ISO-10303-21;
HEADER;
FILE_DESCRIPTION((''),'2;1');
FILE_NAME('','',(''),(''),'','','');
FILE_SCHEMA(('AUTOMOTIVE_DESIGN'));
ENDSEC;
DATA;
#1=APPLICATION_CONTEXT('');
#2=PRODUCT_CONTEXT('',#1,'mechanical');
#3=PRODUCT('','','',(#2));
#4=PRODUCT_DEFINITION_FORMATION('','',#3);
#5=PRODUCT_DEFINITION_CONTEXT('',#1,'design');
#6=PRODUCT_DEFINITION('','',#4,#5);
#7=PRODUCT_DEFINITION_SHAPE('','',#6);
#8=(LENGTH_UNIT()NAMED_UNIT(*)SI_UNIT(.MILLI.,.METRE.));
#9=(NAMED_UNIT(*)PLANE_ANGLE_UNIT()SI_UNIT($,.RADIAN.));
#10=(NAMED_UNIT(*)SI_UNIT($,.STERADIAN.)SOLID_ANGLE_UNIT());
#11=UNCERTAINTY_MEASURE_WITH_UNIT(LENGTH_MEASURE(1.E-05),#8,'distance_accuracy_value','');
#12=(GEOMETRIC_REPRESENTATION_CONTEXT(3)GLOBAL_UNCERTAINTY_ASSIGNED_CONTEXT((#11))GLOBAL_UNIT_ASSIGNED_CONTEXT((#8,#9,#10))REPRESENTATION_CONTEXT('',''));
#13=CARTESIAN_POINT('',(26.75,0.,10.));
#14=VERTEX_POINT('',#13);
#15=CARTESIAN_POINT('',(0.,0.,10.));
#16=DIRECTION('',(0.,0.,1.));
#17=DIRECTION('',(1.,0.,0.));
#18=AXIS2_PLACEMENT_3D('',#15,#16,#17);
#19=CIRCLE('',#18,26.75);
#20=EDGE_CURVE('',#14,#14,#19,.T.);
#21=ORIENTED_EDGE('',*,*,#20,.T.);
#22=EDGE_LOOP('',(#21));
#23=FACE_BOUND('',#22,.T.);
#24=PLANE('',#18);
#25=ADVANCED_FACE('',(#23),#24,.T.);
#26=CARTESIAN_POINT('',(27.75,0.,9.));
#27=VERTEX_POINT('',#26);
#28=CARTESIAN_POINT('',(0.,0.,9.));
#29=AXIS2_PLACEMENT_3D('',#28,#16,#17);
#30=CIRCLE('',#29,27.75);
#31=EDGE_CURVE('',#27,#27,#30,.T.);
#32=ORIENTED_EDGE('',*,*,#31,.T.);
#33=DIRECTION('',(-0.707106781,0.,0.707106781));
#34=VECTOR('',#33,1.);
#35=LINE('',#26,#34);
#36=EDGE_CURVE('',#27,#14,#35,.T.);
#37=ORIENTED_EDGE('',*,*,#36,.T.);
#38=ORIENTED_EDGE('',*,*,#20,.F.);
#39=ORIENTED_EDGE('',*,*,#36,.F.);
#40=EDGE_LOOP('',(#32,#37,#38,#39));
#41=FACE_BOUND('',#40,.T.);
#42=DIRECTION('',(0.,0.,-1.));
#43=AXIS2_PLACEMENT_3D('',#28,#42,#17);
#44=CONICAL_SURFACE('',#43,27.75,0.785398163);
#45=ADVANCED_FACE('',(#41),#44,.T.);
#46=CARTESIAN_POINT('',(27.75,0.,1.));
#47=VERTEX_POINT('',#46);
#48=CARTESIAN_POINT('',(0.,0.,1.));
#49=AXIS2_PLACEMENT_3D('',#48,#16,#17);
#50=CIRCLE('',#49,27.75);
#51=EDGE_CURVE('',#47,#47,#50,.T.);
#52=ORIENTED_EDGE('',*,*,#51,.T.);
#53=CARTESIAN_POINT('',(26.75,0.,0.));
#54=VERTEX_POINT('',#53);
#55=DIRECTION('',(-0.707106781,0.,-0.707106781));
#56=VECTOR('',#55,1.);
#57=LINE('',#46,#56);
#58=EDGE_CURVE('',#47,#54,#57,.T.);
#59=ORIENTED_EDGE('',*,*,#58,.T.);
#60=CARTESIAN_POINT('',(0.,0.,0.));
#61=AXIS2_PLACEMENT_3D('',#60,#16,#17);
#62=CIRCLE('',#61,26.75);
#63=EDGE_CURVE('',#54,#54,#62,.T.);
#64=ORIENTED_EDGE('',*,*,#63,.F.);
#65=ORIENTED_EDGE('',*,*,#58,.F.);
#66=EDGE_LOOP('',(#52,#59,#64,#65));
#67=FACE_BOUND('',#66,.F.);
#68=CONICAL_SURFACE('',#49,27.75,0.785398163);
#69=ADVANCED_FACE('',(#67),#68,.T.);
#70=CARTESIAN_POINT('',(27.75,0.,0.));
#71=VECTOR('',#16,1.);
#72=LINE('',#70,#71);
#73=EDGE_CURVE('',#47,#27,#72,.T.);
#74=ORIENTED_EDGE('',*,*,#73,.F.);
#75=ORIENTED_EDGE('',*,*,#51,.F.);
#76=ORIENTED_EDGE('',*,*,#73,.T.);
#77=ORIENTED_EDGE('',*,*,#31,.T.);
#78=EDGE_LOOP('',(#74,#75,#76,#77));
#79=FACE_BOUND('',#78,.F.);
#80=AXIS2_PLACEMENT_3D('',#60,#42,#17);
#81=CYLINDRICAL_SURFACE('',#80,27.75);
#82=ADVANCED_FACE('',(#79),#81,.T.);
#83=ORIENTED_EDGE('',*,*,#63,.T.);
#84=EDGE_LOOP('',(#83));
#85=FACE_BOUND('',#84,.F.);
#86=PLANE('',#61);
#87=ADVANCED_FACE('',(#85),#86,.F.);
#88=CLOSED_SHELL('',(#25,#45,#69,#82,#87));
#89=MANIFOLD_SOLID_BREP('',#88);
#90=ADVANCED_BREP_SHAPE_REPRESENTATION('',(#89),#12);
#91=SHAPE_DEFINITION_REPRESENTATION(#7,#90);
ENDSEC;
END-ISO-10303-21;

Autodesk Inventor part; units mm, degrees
ref_plane "YZ Plane" through (0, 0, 0) normal (1, 0, 0) x (0, 1, 0)
ref_plane "XZ Plane" through (0, 0, 0) normal (0, 1, 0) x (-1, 0, 0)
ref_plane "XY Plane" through (0, 0, 0) normal (0, 0, 1) x (1, 0, 0)
sketch "Skizze1" plane through (0, 0, 0) normal (0, 0, 1) x (1, 0, 0)
  circle A0 centre (0, 0) radius 27.75
  dimension "d2" = 55.5
extrude "Extrusion1" add sketch "Skizze1" along normal blind 10
chamfer "Fase1" distance 1 angle 45 2 edges at (-27.75, 0, 0) (-27.75, 0, 10)
properties part number "Borosilikatglas 55x10" material "Glas"
